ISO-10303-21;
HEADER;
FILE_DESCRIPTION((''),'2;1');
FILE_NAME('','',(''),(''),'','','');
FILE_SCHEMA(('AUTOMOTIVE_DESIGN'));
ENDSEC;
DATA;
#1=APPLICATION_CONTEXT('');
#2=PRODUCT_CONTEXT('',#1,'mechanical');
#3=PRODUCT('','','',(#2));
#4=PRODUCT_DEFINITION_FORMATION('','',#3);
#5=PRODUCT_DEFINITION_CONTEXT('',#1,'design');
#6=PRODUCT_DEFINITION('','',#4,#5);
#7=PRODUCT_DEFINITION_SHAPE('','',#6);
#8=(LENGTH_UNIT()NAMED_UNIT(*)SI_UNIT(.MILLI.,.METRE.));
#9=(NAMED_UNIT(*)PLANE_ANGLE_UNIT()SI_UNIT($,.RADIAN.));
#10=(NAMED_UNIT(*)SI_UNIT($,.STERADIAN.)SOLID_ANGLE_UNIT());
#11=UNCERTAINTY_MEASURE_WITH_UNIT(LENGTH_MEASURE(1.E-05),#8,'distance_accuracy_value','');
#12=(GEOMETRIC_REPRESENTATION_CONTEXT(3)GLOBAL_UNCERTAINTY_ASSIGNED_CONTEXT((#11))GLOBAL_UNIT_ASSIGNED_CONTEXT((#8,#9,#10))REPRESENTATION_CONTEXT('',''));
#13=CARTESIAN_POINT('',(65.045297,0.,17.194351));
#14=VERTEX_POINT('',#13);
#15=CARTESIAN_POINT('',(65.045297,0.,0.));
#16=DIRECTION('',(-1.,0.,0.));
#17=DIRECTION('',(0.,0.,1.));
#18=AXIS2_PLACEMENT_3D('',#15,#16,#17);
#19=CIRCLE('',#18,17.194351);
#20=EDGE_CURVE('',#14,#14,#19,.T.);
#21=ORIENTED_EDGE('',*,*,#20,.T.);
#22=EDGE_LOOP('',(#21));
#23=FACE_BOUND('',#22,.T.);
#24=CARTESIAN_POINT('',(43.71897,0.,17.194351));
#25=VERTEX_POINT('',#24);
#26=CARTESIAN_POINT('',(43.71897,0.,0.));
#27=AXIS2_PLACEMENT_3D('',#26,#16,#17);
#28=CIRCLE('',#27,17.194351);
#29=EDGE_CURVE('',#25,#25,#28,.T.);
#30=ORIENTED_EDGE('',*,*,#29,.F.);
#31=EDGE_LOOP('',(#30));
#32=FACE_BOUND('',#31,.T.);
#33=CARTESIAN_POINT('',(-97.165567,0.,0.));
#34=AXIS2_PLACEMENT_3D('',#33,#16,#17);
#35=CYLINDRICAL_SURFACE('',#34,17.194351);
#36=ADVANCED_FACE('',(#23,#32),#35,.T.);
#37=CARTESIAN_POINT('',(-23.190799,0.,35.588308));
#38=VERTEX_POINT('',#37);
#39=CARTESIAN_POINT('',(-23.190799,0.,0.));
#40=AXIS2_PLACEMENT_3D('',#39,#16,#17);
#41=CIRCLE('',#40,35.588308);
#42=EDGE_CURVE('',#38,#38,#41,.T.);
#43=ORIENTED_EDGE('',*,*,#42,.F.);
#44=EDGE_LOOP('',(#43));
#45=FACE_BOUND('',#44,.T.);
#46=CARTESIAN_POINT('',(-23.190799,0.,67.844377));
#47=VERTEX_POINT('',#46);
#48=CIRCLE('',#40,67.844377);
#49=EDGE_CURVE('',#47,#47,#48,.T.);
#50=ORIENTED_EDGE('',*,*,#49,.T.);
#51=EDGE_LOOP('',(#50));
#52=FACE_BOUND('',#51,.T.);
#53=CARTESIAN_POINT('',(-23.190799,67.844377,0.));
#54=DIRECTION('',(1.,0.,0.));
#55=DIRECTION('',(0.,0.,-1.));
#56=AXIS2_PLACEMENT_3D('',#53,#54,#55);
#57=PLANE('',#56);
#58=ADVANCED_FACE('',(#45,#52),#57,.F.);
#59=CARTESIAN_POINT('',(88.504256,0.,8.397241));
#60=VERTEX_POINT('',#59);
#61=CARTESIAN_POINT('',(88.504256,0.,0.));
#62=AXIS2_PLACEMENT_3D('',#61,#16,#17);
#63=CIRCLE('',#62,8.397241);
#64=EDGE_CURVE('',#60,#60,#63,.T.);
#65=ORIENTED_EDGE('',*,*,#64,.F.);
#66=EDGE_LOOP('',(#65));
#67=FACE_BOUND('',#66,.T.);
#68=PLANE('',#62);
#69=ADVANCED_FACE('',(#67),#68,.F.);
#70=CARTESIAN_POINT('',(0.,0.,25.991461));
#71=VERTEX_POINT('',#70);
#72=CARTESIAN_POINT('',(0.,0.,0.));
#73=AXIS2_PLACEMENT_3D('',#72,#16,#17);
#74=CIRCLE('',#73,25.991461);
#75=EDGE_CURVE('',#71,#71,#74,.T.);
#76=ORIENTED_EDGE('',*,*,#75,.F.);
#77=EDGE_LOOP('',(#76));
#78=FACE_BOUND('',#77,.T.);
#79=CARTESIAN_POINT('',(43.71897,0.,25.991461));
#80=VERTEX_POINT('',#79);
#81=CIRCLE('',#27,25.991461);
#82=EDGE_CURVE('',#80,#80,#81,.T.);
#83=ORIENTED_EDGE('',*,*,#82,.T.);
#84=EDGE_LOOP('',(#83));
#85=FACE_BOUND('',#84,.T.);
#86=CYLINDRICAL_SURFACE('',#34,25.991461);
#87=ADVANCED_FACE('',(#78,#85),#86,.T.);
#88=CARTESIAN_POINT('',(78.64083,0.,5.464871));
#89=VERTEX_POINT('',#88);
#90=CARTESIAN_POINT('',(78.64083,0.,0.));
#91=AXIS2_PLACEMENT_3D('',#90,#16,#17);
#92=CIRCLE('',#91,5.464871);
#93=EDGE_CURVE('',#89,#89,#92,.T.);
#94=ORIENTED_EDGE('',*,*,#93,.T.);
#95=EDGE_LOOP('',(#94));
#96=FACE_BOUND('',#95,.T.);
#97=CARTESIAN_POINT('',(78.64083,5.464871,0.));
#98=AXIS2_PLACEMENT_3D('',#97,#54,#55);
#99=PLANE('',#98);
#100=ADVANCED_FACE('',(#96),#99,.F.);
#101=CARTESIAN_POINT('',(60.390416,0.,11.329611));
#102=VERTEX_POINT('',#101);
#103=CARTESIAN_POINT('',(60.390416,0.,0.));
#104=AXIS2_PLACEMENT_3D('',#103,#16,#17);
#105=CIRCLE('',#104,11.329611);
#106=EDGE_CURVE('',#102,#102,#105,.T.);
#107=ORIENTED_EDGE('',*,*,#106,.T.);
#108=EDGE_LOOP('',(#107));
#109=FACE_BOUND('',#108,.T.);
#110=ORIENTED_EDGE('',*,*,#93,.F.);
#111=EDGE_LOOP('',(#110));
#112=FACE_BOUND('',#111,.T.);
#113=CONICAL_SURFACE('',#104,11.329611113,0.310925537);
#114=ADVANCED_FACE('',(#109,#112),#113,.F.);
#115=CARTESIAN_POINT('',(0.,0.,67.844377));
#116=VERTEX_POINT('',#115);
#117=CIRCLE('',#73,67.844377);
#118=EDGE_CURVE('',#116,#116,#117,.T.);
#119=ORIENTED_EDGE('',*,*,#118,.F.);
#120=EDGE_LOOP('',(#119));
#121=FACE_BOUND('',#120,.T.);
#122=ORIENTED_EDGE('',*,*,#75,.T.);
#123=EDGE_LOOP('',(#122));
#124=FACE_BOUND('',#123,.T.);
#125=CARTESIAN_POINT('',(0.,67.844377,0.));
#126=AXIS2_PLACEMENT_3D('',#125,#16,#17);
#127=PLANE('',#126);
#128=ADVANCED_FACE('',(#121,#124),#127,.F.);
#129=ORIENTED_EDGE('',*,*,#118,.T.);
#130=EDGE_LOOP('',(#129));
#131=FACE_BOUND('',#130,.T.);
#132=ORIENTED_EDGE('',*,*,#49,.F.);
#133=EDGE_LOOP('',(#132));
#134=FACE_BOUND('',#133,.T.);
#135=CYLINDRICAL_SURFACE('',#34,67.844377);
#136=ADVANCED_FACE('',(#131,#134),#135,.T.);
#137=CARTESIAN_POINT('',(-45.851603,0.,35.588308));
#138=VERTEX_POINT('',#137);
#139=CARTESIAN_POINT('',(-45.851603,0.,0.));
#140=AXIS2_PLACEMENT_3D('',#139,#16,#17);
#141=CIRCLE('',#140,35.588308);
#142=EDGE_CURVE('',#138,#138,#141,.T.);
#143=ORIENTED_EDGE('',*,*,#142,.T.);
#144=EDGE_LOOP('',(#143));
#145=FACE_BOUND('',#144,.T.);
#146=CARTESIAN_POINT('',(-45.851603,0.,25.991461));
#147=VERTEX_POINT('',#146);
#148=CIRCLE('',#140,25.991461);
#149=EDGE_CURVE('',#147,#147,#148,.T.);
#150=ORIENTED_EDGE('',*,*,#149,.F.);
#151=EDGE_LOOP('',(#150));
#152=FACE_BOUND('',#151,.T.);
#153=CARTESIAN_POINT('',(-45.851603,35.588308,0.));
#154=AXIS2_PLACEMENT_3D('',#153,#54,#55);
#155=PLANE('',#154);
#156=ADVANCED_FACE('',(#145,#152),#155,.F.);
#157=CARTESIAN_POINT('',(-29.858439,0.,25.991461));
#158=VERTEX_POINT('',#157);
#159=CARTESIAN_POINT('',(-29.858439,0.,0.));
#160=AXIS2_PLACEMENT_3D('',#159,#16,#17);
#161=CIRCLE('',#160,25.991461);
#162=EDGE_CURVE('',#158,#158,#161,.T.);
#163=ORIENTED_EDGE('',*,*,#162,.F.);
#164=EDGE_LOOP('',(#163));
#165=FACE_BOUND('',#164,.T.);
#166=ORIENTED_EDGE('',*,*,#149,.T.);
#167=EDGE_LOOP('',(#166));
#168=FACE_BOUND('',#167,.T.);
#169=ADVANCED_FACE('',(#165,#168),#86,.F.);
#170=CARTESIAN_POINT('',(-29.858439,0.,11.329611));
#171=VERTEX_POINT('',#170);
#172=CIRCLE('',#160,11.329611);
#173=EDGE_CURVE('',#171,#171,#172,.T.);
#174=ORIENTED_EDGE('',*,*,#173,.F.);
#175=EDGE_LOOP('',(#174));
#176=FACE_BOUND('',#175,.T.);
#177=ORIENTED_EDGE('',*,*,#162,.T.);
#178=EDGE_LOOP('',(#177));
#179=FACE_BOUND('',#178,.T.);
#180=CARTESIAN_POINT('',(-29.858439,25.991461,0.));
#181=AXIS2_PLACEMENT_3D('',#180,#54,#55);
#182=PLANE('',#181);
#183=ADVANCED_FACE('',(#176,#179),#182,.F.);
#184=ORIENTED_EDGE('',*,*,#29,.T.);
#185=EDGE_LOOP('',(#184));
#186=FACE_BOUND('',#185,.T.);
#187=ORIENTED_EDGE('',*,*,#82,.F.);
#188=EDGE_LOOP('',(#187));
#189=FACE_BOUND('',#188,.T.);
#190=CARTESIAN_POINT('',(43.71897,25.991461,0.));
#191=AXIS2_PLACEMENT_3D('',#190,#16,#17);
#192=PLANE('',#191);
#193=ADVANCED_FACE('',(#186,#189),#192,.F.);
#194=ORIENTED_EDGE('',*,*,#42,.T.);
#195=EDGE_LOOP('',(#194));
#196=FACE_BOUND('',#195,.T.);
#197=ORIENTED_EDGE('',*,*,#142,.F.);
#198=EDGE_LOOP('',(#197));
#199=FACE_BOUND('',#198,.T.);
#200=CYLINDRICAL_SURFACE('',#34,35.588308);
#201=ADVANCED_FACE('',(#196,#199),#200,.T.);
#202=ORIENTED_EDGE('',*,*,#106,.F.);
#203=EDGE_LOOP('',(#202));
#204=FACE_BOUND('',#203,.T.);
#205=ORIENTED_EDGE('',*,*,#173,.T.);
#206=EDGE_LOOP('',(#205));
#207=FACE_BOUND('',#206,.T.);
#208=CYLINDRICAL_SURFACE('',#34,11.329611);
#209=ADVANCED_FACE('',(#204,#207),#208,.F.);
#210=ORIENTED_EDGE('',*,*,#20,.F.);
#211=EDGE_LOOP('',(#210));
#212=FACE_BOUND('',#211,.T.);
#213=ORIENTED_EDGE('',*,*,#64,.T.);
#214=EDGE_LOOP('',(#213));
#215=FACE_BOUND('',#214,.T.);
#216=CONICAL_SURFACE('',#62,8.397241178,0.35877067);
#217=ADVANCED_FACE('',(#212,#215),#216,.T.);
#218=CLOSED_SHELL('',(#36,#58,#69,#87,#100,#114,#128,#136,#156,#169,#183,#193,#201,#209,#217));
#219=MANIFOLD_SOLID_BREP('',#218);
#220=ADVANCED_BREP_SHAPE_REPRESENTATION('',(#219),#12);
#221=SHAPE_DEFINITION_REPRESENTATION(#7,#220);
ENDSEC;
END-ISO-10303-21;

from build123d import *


with BuildPart() as part:
    # Sketch2 → Revolve1 (revolve)
    with BuildSketch(Plane.XY):
        Polygon((-23.190799417, 67.844377136), (-23.190799417, 35.588307849), (-45.851602622, 35.588307849), (-45.851602622, 25.991460789), (-29.858438501, 25.991460789), (-29.858438501, 11.329611113), (60.390415797, 11.329611113), (78.640830079, 5.464871243), (78.640830079, 0), (88.504256224, 0), (88.504256224, 8.397241178), (65.045296743, 17.194350983), (43.718969942, 17.194350983), (43.718969942, 25.991460789), (0, 25.991460789), (0, 67.844377136), align=None)
    revolve(axis=Axis((-97.165567149, 0, 0), (1, 0, 0)))


solid = part.part
